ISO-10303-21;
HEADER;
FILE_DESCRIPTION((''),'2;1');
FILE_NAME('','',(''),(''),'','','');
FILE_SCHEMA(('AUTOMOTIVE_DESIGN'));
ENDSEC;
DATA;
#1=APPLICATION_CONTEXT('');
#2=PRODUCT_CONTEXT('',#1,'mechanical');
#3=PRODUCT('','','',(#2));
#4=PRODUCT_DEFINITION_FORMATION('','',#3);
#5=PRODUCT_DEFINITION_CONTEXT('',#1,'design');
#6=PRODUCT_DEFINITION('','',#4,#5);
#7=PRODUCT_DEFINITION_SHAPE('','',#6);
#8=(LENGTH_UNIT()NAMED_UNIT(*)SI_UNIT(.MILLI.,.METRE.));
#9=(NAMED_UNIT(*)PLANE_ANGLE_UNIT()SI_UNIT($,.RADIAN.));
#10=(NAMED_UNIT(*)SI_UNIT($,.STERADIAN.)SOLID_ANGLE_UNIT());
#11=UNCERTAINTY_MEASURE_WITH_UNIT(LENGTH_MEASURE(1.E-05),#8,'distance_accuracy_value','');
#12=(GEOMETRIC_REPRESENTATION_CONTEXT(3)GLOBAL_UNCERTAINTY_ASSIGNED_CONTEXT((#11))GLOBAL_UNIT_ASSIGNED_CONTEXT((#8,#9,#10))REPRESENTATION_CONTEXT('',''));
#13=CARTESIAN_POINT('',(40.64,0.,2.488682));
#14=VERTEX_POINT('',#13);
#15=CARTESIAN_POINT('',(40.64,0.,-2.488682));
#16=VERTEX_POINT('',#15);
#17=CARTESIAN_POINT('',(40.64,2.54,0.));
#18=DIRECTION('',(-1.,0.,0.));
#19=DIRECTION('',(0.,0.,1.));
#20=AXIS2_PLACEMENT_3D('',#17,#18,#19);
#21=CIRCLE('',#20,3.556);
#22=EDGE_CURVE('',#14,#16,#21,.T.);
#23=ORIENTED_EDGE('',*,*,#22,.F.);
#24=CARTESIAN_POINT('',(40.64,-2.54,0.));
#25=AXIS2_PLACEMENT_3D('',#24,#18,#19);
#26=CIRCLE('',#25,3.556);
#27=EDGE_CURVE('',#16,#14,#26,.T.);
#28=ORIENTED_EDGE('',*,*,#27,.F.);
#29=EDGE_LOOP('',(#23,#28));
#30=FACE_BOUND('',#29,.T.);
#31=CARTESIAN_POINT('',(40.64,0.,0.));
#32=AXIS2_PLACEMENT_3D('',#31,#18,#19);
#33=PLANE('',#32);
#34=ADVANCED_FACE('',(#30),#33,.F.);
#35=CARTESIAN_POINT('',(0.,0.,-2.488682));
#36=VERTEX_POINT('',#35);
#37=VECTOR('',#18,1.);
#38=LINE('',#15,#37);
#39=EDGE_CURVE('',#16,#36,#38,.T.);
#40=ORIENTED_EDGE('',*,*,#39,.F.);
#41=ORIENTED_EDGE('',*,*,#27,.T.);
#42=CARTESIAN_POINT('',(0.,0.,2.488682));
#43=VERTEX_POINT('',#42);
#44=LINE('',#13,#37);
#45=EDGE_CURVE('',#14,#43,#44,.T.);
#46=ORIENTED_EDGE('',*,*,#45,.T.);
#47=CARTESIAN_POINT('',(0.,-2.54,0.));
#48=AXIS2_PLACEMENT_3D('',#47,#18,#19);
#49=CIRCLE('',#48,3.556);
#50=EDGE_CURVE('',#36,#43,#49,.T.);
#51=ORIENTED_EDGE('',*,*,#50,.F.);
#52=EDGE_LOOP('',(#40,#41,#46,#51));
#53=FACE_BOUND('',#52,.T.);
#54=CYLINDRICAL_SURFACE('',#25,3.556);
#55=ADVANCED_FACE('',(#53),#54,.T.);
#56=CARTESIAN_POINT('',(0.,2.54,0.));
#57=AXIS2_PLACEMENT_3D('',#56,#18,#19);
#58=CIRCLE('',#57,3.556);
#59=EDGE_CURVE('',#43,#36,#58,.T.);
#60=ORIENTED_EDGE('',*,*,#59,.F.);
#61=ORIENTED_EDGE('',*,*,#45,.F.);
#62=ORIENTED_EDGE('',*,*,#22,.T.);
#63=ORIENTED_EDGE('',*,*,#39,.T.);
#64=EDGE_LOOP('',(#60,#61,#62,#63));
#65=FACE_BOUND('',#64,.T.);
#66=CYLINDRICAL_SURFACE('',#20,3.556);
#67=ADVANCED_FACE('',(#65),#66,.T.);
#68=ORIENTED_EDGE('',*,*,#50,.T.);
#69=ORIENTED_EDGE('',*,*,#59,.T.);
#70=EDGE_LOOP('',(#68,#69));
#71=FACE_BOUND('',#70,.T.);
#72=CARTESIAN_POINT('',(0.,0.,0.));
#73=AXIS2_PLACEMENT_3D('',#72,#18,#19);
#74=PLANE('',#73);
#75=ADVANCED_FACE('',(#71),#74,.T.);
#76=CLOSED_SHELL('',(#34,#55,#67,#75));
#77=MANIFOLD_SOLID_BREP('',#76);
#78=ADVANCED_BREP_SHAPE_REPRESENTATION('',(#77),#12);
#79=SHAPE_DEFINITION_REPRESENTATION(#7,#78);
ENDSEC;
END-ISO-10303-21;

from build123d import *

# Parameters (mm, degrees)
SKETCH2_W           = 12.7
SKETCH2_H           = 12.7
BOSS_EXTRUDE1_DEPTH = 40.64
SKETCH3_W           = 12.7
SKETCH3_H           = 12.7
CUT_EXTRUDE2_DEPTH  = 42.620362805


with BuildPart() as part:
    # Sketch2 → Boss-Extrude1 (new body)
    with BuildSketch(Plane(origin=(0, 0, 0), x_dir=(0, 0, -1), z_dir=(1, 0, 0))):
        Rectangle(SKETCH2_W, SKETCH2_H)
    extrude(amount=BOSS_EXTRUDE1_DEPTH)

    # Sketch3 → Cut-Extrude2 (cut, through all)
    with BuildSketch(Plane.ZY):
        Rectangle(SKETCH3_W, SKETCH3_H)
        with BuildLine():
            ThreePointArc((2.488681579, 0), (3.278329429, -1.162432523), (3.556, -2.54))
            ThreePointArc((3.556, -2.54), (-1.377567477, -5.818329429), (-2.488681579, 0))
            ThreePointArc((-2.488681579, 0), (-1.377567477, 5.818329429), (3.556, 2.54))
            ThreePointArc((3.556, 2.54), (3.278329429, 1.162432523), (2.488681579, 0))
        make_face(mode=Mode.SUBTRACT)
    extrude(amount=-CUT_EXTRUDE2_DEPTH, mode=Mode.SUBTRACT)


solid = part.part
